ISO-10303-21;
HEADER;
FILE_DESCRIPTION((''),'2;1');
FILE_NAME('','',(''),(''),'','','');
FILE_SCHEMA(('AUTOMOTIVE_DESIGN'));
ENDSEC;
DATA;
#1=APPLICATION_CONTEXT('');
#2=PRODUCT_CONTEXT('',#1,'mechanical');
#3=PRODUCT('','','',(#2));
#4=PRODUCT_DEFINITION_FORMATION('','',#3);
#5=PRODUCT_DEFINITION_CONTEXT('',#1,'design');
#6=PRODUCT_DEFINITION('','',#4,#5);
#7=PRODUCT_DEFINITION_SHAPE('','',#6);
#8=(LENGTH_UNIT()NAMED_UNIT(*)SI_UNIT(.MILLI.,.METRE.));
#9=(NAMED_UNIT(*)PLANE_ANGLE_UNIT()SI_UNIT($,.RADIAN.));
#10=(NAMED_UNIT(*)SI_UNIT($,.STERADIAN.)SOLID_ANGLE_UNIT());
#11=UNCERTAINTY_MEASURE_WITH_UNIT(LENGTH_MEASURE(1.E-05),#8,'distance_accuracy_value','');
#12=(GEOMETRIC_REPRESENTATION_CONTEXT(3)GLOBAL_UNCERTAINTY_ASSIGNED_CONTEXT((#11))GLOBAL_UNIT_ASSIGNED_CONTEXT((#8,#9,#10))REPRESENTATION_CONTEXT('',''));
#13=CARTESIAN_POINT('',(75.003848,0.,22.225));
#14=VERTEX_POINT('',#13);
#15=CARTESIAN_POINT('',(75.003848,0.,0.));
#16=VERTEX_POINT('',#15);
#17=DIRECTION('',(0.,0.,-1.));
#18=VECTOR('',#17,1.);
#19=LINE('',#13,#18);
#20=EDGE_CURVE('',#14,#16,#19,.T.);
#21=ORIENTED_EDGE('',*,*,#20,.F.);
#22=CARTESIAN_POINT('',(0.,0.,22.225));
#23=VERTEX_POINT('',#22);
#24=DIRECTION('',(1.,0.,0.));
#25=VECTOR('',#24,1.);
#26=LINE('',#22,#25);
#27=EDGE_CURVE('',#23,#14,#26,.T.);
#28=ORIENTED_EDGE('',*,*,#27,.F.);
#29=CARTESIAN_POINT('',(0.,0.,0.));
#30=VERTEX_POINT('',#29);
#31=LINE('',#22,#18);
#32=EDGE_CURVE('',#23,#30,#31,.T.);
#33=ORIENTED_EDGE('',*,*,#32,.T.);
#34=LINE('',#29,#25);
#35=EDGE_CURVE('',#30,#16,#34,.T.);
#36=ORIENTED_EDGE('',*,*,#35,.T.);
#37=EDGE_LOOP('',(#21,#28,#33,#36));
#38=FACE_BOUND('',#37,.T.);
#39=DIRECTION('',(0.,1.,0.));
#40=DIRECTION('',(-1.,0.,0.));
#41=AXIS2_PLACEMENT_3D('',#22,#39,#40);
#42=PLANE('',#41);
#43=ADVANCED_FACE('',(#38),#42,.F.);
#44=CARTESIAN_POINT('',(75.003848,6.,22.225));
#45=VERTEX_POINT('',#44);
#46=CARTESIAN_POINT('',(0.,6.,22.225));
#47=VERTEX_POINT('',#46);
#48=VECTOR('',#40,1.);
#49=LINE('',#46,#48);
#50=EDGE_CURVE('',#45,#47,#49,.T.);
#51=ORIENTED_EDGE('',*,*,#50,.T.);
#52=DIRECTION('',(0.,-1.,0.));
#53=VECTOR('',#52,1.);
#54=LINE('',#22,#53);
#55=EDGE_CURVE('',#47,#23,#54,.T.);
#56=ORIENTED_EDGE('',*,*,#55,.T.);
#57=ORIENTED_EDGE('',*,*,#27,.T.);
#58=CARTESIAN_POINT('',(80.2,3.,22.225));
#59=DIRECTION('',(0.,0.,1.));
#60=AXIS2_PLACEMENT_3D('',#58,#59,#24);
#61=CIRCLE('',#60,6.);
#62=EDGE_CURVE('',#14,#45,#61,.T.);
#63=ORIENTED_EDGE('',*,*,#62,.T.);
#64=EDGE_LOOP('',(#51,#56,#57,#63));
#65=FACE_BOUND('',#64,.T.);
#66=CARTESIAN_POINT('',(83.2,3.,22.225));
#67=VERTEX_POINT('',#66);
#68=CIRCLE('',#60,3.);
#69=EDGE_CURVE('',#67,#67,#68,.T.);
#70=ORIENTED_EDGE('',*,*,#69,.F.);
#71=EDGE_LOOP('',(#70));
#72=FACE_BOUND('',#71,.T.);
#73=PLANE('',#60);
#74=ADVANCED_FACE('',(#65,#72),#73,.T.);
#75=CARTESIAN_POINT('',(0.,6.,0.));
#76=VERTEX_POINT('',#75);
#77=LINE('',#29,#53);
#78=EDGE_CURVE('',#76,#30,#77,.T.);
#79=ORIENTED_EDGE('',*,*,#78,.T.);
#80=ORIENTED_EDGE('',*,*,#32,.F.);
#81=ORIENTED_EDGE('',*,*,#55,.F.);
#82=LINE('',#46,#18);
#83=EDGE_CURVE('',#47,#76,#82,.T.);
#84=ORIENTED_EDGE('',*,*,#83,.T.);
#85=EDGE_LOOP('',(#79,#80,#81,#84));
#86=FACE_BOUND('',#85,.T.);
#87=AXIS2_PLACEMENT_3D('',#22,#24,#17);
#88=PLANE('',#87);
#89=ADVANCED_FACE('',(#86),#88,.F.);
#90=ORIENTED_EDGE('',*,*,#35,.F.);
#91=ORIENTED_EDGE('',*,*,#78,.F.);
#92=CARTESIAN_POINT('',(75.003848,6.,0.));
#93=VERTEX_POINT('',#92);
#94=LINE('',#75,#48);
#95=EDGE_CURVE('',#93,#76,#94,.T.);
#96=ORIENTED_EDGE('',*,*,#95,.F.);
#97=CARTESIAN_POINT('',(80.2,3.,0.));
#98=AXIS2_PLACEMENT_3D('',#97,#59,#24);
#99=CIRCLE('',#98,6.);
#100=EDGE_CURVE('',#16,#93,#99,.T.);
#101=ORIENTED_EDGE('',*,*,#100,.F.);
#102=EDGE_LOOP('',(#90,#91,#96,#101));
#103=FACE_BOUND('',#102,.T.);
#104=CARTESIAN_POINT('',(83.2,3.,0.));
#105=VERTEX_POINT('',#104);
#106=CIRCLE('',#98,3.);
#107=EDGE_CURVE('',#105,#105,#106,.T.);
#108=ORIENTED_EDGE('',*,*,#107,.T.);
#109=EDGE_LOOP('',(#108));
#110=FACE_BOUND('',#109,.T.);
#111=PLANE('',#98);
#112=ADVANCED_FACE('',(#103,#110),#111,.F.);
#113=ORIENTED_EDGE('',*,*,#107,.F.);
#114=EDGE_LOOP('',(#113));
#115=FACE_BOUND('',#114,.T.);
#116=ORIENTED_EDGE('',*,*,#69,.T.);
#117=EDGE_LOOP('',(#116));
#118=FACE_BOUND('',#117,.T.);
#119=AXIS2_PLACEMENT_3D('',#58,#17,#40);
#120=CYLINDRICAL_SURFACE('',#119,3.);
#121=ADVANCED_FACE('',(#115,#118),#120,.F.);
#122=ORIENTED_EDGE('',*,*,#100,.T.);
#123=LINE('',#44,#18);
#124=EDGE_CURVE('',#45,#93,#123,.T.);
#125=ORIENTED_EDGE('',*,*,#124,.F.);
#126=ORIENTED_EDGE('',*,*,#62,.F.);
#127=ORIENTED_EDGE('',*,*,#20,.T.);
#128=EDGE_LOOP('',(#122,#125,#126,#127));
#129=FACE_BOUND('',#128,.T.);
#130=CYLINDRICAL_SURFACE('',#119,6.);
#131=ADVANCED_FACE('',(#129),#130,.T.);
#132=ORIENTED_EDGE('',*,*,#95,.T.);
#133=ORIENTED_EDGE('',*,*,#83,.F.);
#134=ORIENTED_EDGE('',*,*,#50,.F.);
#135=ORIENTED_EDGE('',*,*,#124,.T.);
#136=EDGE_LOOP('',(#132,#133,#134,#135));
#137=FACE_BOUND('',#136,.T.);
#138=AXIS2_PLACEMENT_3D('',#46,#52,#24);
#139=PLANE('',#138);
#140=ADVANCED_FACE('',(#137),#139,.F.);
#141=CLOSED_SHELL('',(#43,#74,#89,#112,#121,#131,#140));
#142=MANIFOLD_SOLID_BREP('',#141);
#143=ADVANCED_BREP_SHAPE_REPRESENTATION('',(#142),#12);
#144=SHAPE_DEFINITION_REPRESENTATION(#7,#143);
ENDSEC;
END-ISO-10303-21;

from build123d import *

# Parameters (mm, degrees)
SKETCH1_R           = 3
BOSS_EXTRUDE1_DEPTH = 22.225


with BuildPart() as part:
    # Sketch1 → Boss-Extrude1 (new body)
    with BuildSketch(Plane.XY):
        with BuildLine():
            Line((0, 0), (0, 6))
            Line((0, 6), (75.003847577, 6))
            ThreePointArc((75.003847577, 6), (86.2, 3), (75.003847577, 0))
            Line((75.003847577, 0), (0, 0))
        make_face()
        with Locations((80.2, 3)):
            Circle(SKETCH1_R, mode=Mode.SUBTRACT)
    extrude(amount=BOSS_EXTRUDE1_DEPTH)


solid = part.part
